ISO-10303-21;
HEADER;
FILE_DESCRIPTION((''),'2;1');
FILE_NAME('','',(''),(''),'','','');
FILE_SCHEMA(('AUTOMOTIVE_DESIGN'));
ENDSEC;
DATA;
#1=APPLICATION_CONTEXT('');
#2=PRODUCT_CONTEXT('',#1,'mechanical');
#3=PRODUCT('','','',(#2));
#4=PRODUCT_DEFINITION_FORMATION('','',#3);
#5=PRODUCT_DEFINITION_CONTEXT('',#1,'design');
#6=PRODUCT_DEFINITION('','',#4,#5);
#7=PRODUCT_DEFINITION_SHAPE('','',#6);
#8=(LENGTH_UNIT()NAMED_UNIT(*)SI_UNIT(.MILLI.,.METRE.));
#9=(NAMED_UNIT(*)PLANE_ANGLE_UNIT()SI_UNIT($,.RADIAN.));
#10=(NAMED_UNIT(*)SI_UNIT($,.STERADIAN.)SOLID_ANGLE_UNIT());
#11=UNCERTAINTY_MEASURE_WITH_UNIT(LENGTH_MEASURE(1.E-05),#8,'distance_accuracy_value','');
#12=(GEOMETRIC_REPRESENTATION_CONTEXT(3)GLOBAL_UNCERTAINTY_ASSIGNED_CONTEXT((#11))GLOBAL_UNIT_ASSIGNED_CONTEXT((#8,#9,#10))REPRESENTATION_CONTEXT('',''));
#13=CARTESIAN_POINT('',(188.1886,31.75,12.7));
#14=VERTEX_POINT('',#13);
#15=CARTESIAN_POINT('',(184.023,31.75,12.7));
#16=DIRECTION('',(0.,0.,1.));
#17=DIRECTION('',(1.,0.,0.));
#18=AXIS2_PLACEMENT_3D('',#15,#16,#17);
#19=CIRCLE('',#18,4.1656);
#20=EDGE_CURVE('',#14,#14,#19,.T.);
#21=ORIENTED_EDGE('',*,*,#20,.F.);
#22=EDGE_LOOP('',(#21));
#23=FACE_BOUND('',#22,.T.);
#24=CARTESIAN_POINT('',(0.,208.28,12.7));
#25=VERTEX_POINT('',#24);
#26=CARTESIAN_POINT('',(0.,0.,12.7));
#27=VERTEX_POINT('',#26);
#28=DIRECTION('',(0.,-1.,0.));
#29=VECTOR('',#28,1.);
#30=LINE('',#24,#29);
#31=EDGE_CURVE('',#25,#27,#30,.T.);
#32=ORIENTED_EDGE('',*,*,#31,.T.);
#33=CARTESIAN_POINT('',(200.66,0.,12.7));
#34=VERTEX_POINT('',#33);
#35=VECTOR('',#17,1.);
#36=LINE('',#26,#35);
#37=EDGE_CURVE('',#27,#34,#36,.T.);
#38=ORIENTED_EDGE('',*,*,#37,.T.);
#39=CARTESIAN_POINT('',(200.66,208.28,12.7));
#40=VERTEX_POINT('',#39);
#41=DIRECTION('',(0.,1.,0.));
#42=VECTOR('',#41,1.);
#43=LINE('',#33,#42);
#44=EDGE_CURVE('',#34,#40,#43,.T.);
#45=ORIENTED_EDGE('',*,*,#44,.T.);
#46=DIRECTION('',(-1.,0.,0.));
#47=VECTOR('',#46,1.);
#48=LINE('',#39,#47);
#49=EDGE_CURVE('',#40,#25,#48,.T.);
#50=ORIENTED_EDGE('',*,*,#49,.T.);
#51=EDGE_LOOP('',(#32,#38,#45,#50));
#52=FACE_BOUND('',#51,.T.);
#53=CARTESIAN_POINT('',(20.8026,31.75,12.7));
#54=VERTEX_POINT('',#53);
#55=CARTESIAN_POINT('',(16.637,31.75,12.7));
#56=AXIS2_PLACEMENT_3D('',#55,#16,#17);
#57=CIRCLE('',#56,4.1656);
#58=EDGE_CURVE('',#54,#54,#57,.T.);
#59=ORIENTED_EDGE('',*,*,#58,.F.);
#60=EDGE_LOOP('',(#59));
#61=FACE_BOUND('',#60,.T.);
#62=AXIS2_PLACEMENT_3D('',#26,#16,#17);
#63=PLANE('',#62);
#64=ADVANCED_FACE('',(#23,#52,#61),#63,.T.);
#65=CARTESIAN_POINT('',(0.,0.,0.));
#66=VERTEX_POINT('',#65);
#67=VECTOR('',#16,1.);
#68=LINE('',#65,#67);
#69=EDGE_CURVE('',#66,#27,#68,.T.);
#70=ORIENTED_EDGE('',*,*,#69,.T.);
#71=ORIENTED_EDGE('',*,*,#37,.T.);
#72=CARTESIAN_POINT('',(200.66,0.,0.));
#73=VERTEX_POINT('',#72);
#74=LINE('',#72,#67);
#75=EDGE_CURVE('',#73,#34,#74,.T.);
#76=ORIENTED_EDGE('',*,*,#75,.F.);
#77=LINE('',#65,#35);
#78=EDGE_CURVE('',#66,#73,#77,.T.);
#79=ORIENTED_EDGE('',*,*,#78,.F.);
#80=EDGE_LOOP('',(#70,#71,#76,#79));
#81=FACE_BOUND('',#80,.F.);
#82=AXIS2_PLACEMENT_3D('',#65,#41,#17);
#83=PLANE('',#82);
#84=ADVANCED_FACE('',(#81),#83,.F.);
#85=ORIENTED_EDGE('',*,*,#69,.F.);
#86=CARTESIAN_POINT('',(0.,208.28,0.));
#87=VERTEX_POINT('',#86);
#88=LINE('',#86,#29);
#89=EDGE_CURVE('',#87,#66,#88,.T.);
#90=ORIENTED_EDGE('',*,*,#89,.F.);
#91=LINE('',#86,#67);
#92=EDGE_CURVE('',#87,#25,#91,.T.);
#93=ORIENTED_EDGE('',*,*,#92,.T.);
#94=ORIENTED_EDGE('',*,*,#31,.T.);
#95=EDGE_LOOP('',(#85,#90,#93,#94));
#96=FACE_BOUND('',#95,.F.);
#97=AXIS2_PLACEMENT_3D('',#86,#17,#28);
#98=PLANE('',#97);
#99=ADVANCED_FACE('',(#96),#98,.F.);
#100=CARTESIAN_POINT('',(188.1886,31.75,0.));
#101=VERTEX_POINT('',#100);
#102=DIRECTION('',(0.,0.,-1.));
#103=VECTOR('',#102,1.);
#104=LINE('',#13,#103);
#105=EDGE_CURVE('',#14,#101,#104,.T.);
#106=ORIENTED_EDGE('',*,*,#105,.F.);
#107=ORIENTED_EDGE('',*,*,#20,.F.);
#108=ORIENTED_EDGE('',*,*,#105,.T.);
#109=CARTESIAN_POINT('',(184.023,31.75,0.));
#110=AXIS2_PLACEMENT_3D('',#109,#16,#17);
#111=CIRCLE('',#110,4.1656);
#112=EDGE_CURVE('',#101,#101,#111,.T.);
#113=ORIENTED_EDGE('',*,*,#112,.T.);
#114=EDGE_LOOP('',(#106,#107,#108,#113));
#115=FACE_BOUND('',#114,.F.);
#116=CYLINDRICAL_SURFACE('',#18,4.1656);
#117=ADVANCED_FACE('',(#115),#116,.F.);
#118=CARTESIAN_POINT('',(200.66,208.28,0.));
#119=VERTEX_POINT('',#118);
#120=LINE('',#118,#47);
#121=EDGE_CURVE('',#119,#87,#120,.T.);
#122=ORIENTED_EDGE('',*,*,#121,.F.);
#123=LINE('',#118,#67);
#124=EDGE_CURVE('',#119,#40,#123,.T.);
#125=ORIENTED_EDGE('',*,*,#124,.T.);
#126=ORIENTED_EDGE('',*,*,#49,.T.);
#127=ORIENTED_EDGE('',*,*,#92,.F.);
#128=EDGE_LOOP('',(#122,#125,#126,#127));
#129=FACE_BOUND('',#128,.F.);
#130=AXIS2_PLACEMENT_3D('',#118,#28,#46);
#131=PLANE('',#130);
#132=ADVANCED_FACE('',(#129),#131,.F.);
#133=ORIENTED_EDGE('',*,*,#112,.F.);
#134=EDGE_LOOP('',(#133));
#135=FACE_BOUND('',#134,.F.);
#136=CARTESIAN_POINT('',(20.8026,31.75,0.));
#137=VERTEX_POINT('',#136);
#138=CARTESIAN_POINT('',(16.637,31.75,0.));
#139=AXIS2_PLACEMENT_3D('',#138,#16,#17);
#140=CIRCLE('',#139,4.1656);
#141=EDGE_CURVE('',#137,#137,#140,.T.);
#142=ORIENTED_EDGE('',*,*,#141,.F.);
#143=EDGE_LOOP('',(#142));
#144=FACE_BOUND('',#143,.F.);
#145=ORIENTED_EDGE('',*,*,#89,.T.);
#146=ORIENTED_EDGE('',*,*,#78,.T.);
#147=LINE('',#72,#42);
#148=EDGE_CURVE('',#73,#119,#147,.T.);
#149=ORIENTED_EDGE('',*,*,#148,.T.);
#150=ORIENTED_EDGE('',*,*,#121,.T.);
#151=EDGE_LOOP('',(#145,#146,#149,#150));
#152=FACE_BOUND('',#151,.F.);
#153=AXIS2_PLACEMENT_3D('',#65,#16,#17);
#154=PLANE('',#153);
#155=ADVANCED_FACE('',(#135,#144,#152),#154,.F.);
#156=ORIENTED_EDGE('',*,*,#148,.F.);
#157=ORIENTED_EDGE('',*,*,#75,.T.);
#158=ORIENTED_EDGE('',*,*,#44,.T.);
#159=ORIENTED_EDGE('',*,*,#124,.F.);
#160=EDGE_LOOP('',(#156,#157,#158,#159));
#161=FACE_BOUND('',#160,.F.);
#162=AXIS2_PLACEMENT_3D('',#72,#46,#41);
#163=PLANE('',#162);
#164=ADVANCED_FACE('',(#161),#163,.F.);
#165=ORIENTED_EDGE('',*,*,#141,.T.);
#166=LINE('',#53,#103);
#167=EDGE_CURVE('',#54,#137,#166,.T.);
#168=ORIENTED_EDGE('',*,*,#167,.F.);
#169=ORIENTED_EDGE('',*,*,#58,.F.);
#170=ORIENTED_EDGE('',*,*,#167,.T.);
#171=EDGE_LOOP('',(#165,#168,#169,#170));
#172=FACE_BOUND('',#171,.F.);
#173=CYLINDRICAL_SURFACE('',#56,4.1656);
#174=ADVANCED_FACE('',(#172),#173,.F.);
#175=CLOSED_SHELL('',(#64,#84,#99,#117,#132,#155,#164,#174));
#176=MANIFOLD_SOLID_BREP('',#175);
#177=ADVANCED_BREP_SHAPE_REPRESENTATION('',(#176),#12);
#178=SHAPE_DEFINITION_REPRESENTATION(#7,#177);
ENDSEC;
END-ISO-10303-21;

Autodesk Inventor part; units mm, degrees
ref_plane "YZ Plane" through (0, 0, 0) normal (1, 0, 0) x (0, 1, 0)
ref_plane "XZ Plane" through (0, 0, 0) normal (0, 1, 0) x (-1, 0, 0)
ref_plane "XY Plane" through (0, 0, 0) normal (0, 0, 1) x (1, 0, 0)
sketch "Sketch1" plane through (0, 0, 0) normal (0, 0, 1) x (1, 0, 0)
  line L0 (0, 0) -> (200.66, 0)
  line L1 (200.66, 0) -> (200.66, 208.28)
  line L2 (200.66, 208.28) -> (0, 208.28)
  line L3 (0, 208.28) -> (0, 0)
  dimension "d0" = 200.66
  dimension "d1" = 208.28
extrude "Extrusion1" add sketch "Sketch1" along normal blind 12.7
sketch "Sketch2" plane through (0, 0, 12.7) normal (0, 0, 1) x (1, 0, 0)
  circle A0 centre (184.023, 31.75) radius 4.1656
  line L0 (0, 0) -> (200.66, 0) projected
  line L1 (200.66, 0) -> (200.66, 208.28) projected
  circle A1 centre (16.637, 31.75) radius 4.1656
  line L2 (0, 208.28) -> (0, 0) projected
  dimension "d4" = 8.3312
  dimension "d5" = 31.75
  dimension "d6" = 16.637
  dimension "d7" = 8.3312
  dimension "d8" = 16.637
  dimension "d9" = 31.75
extrude "Extrusion2" cut sketch "Sketch2" against normal blind 25.4
properties part number "Side wall"
